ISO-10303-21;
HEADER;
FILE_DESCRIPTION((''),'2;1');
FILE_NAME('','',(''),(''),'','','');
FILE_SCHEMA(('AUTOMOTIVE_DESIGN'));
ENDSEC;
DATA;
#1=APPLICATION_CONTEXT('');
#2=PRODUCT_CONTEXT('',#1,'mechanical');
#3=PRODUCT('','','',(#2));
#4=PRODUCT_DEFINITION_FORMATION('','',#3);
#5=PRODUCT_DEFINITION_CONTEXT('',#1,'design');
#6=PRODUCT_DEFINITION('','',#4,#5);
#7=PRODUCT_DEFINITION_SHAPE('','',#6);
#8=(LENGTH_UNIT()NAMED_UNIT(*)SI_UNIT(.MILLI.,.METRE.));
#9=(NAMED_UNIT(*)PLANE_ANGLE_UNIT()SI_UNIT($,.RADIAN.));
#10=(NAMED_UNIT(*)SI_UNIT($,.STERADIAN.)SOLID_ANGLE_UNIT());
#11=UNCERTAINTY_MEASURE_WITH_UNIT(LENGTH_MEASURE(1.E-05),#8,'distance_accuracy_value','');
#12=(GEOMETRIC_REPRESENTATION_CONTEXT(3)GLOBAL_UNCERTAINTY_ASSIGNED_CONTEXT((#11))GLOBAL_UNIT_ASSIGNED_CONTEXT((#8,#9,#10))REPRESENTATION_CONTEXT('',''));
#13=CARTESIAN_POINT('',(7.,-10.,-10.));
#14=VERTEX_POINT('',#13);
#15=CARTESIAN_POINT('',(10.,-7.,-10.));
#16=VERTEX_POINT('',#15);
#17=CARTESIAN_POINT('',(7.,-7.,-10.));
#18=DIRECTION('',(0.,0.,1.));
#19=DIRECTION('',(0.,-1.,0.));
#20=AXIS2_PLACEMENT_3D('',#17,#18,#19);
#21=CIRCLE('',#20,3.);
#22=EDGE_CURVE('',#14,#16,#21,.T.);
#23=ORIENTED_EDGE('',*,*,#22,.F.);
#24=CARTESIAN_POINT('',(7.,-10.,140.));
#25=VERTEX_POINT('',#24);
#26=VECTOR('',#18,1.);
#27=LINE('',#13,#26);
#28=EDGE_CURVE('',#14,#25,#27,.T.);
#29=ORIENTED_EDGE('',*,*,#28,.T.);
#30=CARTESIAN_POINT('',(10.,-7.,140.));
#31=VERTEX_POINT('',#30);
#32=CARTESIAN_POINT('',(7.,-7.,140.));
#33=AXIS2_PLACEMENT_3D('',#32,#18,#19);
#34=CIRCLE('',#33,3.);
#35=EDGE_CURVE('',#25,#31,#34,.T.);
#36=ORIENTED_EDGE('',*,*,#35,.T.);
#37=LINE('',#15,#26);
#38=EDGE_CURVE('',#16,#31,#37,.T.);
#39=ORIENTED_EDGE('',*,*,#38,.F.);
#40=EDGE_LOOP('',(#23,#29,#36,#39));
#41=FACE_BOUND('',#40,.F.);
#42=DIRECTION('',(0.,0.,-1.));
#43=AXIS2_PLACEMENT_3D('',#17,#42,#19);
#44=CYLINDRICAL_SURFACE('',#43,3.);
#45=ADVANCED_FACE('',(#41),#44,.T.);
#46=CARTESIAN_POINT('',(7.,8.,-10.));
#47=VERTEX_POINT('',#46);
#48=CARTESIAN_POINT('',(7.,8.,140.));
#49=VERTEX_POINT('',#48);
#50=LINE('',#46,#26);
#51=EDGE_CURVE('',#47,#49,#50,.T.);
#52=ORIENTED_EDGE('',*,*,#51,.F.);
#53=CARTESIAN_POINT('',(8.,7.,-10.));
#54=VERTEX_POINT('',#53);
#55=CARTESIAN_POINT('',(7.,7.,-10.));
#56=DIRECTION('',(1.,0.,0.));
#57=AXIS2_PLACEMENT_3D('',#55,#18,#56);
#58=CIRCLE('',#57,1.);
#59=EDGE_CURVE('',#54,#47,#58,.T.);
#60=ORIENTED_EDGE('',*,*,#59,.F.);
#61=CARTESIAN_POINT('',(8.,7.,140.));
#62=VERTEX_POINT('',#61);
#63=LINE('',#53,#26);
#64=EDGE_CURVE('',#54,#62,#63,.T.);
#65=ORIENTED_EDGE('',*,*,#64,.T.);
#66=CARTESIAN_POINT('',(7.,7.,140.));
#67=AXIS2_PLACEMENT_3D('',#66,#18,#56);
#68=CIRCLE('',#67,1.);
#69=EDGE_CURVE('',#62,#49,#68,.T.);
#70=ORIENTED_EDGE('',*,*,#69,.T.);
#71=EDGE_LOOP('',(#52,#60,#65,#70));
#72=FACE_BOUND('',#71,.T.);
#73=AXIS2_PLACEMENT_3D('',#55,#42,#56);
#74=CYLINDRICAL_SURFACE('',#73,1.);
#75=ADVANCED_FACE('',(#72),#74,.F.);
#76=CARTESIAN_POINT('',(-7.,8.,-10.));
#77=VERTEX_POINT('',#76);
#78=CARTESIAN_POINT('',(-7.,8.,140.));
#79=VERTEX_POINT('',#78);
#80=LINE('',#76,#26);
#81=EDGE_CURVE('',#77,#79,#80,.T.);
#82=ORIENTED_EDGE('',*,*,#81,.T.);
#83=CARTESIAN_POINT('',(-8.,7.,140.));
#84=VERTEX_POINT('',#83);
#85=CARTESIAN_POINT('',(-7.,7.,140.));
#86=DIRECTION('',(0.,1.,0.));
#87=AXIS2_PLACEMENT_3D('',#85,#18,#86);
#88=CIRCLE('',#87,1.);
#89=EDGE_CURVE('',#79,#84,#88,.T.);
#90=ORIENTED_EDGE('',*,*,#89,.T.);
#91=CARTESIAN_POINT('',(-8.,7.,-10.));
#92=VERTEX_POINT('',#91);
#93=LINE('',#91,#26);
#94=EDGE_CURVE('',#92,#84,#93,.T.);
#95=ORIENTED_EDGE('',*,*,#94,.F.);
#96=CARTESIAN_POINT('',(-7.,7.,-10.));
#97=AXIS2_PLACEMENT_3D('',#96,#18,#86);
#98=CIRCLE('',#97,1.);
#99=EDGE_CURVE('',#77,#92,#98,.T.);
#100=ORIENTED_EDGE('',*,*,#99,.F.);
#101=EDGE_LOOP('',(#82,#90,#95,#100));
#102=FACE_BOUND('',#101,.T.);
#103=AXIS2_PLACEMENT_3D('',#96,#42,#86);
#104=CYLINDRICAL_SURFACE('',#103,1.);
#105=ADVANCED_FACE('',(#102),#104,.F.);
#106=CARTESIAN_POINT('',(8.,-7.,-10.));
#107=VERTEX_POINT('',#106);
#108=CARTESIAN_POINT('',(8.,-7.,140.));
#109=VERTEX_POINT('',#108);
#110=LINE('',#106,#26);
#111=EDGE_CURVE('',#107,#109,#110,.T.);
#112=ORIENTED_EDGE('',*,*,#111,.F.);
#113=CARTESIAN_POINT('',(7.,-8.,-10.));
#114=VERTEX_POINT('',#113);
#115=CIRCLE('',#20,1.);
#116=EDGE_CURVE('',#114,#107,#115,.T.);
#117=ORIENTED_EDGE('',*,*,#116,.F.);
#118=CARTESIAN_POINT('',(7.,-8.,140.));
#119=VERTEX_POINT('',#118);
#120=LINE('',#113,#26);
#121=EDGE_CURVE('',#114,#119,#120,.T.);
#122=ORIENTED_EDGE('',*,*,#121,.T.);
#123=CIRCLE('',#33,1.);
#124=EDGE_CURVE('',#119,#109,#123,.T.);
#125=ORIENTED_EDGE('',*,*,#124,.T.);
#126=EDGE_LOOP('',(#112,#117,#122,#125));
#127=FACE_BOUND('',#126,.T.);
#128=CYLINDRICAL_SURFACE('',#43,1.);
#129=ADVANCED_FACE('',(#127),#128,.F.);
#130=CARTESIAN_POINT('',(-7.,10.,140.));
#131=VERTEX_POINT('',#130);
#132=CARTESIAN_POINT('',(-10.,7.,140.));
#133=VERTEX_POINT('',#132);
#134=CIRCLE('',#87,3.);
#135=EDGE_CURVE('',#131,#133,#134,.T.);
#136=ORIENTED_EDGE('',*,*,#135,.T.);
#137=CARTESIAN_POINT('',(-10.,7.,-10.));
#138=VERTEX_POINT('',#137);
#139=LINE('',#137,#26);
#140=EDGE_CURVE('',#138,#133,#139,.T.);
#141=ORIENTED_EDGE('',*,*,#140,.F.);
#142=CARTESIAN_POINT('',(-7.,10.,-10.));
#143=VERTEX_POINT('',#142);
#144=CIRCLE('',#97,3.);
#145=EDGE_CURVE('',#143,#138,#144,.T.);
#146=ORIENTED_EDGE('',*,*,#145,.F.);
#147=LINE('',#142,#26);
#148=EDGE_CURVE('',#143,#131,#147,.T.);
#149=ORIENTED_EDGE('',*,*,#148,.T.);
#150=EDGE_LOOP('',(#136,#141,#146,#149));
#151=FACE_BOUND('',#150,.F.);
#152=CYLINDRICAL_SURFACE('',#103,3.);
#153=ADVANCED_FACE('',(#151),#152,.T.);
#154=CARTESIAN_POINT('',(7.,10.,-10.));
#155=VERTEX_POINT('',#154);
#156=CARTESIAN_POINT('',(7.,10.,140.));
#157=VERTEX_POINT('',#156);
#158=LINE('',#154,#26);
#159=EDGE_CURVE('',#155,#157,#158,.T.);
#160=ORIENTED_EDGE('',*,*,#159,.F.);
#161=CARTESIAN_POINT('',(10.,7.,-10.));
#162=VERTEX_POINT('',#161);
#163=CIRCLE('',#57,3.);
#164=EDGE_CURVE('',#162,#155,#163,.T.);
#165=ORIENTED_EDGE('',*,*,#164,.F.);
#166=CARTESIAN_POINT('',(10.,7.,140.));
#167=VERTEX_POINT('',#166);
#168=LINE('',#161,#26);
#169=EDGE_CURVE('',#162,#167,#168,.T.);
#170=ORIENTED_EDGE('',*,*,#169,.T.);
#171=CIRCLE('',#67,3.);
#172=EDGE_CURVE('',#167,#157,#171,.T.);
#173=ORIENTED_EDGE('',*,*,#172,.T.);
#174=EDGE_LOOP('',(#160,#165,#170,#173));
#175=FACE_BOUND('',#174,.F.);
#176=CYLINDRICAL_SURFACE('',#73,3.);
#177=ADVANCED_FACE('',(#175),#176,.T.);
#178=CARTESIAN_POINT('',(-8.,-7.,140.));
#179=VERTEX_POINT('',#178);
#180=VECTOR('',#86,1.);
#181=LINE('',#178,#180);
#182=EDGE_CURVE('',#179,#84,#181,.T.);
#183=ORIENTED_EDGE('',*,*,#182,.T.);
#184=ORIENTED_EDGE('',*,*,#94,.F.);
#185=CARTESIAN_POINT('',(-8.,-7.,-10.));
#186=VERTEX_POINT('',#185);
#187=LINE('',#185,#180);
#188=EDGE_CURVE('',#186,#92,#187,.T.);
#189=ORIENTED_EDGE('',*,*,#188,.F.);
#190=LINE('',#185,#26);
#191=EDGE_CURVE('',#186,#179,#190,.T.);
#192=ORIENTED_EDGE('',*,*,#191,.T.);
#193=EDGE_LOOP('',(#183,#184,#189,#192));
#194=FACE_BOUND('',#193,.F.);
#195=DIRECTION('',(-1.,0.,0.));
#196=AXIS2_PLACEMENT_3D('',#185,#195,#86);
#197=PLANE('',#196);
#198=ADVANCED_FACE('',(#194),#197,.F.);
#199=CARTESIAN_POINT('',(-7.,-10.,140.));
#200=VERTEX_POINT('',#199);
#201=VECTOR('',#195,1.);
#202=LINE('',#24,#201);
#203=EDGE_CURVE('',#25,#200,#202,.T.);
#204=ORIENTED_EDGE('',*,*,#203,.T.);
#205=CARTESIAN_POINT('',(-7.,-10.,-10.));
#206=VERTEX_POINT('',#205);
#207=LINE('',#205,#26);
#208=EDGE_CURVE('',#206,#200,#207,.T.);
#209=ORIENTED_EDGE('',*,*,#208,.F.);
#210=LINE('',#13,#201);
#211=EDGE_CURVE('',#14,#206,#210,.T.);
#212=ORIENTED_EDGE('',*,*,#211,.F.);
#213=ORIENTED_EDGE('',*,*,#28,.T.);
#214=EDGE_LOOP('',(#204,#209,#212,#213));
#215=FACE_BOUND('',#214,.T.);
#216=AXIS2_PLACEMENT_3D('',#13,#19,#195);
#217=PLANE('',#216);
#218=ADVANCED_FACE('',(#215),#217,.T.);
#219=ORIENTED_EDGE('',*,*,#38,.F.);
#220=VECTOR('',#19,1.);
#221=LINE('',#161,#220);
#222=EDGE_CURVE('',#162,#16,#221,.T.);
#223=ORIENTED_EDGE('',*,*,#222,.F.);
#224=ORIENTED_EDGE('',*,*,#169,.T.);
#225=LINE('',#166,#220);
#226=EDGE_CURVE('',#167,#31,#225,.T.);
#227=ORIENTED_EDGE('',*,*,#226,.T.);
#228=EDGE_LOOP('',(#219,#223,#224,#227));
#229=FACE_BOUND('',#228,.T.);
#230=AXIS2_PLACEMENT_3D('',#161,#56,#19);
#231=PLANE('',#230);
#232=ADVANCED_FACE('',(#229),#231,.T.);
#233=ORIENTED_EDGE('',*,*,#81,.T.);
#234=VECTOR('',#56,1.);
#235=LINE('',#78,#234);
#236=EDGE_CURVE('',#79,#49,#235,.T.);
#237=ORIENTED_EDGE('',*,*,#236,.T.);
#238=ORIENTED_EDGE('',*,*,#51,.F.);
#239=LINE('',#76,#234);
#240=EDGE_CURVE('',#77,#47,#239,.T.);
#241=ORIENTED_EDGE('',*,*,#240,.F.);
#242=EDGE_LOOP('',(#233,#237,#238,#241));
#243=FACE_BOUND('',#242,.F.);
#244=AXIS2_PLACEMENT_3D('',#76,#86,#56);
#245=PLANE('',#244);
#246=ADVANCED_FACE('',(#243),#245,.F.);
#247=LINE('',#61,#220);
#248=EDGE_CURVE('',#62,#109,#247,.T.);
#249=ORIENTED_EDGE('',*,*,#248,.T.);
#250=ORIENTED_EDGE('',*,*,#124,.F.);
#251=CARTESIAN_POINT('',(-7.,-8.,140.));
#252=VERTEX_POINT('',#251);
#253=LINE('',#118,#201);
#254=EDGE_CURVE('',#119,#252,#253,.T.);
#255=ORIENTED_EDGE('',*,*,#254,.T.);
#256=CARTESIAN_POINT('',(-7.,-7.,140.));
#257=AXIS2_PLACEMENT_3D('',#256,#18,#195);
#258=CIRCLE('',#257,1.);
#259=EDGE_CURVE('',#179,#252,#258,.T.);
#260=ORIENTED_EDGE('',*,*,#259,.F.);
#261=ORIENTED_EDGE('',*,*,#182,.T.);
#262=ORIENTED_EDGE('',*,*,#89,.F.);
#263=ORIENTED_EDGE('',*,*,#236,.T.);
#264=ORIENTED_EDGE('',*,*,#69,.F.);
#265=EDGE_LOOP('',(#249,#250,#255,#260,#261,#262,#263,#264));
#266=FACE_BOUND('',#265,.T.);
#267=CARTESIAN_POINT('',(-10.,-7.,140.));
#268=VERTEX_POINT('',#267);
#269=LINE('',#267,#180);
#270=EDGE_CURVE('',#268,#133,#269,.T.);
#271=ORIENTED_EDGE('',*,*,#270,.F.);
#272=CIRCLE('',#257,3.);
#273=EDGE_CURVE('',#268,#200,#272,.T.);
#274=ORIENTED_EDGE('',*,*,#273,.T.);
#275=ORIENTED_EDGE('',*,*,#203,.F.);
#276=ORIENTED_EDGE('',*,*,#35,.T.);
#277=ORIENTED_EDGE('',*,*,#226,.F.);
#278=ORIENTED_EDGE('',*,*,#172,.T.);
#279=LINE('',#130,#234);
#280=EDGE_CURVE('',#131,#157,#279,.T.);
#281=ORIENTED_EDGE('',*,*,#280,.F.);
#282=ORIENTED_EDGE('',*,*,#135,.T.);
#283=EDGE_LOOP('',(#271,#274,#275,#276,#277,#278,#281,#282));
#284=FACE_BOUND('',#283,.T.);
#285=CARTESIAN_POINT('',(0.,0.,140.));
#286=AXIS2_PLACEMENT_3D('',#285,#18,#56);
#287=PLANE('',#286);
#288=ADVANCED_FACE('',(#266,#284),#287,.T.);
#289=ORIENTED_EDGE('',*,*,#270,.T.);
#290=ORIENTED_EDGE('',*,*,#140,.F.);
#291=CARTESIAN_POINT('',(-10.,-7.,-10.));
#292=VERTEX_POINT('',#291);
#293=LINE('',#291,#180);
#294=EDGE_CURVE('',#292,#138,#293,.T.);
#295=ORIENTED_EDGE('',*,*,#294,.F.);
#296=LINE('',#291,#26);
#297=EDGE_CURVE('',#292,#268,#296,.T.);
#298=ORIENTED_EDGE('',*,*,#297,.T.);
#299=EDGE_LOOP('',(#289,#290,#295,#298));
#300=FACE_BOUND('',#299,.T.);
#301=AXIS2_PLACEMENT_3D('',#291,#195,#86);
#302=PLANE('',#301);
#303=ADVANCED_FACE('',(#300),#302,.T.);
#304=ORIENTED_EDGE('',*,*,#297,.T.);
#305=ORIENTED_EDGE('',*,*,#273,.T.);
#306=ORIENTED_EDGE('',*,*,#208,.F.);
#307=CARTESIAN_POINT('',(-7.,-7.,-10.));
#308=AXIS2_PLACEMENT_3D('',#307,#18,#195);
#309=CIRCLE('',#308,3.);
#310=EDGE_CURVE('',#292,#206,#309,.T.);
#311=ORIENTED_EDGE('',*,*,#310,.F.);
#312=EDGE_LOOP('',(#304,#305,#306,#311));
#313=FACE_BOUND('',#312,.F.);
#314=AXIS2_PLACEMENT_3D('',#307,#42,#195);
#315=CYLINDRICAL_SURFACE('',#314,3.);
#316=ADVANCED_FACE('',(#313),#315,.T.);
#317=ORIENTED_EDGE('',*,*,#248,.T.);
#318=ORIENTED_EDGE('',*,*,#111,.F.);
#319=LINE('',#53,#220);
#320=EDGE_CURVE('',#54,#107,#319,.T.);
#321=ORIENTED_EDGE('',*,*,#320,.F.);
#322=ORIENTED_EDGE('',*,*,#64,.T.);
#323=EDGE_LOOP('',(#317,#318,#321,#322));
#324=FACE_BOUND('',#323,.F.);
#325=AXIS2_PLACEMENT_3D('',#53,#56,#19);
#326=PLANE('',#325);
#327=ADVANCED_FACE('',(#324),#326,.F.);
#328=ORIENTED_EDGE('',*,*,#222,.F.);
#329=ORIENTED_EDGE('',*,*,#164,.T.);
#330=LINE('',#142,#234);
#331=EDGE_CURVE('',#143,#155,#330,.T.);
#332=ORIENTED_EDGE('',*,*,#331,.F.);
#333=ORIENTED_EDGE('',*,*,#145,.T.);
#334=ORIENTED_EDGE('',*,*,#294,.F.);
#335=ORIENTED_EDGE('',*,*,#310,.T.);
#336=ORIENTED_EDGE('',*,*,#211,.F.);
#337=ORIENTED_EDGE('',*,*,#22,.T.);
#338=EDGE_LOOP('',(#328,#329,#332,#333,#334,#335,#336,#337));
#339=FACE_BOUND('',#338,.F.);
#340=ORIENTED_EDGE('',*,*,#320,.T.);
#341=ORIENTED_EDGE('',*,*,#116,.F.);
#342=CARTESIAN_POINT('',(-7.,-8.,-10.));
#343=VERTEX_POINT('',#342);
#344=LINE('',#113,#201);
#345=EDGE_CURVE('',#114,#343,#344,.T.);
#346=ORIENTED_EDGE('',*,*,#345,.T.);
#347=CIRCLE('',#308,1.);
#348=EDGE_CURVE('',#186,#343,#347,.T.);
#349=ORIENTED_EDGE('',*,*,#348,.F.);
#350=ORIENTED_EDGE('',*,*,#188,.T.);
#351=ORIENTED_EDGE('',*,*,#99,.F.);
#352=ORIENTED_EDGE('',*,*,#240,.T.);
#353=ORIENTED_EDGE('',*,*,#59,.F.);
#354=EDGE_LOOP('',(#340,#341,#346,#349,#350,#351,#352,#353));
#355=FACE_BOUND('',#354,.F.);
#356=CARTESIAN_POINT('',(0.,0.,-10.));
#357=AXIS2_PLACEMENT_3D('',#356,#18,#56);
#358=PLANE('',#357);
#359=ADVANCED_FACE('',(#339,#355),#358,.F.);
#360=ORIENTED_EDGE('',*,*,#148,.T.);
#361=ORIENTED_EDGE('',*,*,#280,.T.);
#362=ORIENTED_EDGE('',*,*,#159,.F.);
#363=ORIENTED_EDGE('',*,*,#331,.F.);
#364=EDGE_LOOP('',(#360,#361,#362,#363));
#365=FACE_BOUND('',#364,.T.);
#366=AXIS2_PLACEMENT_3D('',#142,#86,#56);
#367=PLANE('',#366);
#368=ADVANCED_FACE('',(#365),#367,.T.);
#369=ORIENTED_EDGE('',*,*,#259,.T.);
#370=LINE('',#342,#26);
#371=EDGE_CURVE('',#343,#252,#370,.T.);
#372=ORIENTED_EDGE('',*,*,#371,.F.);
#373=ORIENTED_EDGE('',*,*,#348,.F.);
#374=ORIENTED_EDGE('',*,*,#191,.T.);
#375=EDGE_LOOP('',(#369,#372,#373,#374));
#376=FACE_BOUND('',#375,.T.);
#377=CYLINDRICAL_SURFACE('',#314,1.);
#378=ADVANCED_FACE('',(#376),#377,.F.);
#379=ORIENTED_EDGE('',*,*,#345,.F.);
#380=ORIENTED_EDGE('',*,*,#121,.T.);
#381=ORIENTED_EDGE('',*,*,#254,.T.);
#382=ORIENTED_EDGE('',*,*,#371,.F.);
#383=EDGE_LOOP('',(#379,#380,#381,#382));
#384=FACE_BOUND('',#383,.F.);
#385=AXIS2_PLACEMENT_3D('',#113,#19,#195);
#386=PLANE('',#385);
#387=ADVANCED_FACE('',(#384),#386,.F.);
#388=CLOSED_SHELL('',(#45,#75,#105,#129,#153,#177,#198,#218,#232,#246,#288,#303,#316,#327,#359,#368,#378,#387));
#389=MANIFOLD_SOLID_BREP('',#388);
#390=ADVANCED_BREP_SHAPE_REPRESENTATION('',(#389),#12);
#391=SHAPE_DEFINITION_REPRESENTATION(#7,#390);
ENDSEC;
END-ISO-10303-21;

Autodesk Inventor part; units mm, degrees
ref_plane "Start Plane" through (0, 0, -10) normal (0, 0, 1) x (1, 0, 0)
ref_plane "End Plane" through (0, 0, 140) normal (0, 0, 1) x (1, 0, 0)
sketch "Sketch" plane through (0, 0, 0) normal (0, 0, 1) x (1, 0, 0)
  line L0 (-10, -7) -> (-10, 7)
  line L1 (-7, 10) -> (7, 10)
  line L2 (10, 7) -> (10, -7)
  line L3 (7, -10) -> (-7, -10)
  arc A0 (-10, -7) -> (-7, -10) centre (-7, -7) ccw
  arc A1 (-7, 10) -> (-10, 7) centre (-7, 7) ccw
  arc A2 (10, 7) -> (7, 10) centre (7, 7) ccw
  arc A3 (7, -10) -> (10, -7) centre (7, -7) ccw
  arc A4 (-7, 8) -> (-8, 7) centre (-7, 7) ccw
  line L4 (-7, 8) -> (7, 8)
  arc A5 (8, 7) -> (7, 8) centre (7, 7) ccw
  line L5 (8, 7) -> (8, -7)
  arc A6 (7, -8) -> (8, -7) centre (7, -7) ccw
  line L6 (7, -8) -> (-7, -8)
  arc A7 (-8, -7) -> (-7, -8) centre (-7, -7) ccw
  line L7 (-8, -7) -> (-8, 7)
  line L8 (0, 14.8698) -> (0, -14.8698) construction
  line L9 (-14.8698, 0) -> (14.8698, 0) construction
  dimension "d7" = 3
  dimension "d10" = 20
  dimension "d11" = 20
  dimension "d12" = 2
  dimension "d15" = 10
  dimension "d16" = 10
extrude "Body" add sketch "Sketch" along normal up to surface (150 mm away) from surface at -10
sketch "Sketch3" plane through (0, 0, 0) normal (0, 0, 1) x (1, 0, 0)
  line L0 (0, 0) -> (10, 0)
ref_plane "Work Plane3" through (0, 0, 0) normal (0, -1, 0) x (1, 0, 0)
sketch "Sketch4" plane through (0, 0, 0) normal (0, -1, 0) x (1, 0, 0)
  line L0 (-2, -10) -> (12, -10)
  line L1 (-2, 140) -> (12, 140)
  dimension "d18" = 150
ref_plane "Work Plane4" through (0, 0, -10) normal (0, 0, -1) x (-1, 0, 0)
split "Split1" plane through (0, 0, -10) removes the side toward (0, 0, -1)
ref_plane "Work Plane5" through (-7, -210, 140) normal (0, 0, 1) x (1, 0, 0)
split "Split2" plane through (-7, -210, 140) removes the side toward (0, 0, 1)
equation "\"d7\" = G_IR"
equation "\"d10\" = G_H"
equation "\"d11\" = G_W"
equation "\"d12\" = G_T"
equation "\"d15\" = 0.5 * d10"
equation "\"d16\" = 0.5 * d11"
equation "\"d3\" = G_L"
equation "\"G_W\" = 20"
equation "\"G_H\" = 20"
equation "\"G_T\" = 2"
equation "\"G_IR\" = 3"
equation "\"G_L\" = d18"
properties part number "ISO 12633-2 - 20x20x2 - 150" material "Steel, Mild"
